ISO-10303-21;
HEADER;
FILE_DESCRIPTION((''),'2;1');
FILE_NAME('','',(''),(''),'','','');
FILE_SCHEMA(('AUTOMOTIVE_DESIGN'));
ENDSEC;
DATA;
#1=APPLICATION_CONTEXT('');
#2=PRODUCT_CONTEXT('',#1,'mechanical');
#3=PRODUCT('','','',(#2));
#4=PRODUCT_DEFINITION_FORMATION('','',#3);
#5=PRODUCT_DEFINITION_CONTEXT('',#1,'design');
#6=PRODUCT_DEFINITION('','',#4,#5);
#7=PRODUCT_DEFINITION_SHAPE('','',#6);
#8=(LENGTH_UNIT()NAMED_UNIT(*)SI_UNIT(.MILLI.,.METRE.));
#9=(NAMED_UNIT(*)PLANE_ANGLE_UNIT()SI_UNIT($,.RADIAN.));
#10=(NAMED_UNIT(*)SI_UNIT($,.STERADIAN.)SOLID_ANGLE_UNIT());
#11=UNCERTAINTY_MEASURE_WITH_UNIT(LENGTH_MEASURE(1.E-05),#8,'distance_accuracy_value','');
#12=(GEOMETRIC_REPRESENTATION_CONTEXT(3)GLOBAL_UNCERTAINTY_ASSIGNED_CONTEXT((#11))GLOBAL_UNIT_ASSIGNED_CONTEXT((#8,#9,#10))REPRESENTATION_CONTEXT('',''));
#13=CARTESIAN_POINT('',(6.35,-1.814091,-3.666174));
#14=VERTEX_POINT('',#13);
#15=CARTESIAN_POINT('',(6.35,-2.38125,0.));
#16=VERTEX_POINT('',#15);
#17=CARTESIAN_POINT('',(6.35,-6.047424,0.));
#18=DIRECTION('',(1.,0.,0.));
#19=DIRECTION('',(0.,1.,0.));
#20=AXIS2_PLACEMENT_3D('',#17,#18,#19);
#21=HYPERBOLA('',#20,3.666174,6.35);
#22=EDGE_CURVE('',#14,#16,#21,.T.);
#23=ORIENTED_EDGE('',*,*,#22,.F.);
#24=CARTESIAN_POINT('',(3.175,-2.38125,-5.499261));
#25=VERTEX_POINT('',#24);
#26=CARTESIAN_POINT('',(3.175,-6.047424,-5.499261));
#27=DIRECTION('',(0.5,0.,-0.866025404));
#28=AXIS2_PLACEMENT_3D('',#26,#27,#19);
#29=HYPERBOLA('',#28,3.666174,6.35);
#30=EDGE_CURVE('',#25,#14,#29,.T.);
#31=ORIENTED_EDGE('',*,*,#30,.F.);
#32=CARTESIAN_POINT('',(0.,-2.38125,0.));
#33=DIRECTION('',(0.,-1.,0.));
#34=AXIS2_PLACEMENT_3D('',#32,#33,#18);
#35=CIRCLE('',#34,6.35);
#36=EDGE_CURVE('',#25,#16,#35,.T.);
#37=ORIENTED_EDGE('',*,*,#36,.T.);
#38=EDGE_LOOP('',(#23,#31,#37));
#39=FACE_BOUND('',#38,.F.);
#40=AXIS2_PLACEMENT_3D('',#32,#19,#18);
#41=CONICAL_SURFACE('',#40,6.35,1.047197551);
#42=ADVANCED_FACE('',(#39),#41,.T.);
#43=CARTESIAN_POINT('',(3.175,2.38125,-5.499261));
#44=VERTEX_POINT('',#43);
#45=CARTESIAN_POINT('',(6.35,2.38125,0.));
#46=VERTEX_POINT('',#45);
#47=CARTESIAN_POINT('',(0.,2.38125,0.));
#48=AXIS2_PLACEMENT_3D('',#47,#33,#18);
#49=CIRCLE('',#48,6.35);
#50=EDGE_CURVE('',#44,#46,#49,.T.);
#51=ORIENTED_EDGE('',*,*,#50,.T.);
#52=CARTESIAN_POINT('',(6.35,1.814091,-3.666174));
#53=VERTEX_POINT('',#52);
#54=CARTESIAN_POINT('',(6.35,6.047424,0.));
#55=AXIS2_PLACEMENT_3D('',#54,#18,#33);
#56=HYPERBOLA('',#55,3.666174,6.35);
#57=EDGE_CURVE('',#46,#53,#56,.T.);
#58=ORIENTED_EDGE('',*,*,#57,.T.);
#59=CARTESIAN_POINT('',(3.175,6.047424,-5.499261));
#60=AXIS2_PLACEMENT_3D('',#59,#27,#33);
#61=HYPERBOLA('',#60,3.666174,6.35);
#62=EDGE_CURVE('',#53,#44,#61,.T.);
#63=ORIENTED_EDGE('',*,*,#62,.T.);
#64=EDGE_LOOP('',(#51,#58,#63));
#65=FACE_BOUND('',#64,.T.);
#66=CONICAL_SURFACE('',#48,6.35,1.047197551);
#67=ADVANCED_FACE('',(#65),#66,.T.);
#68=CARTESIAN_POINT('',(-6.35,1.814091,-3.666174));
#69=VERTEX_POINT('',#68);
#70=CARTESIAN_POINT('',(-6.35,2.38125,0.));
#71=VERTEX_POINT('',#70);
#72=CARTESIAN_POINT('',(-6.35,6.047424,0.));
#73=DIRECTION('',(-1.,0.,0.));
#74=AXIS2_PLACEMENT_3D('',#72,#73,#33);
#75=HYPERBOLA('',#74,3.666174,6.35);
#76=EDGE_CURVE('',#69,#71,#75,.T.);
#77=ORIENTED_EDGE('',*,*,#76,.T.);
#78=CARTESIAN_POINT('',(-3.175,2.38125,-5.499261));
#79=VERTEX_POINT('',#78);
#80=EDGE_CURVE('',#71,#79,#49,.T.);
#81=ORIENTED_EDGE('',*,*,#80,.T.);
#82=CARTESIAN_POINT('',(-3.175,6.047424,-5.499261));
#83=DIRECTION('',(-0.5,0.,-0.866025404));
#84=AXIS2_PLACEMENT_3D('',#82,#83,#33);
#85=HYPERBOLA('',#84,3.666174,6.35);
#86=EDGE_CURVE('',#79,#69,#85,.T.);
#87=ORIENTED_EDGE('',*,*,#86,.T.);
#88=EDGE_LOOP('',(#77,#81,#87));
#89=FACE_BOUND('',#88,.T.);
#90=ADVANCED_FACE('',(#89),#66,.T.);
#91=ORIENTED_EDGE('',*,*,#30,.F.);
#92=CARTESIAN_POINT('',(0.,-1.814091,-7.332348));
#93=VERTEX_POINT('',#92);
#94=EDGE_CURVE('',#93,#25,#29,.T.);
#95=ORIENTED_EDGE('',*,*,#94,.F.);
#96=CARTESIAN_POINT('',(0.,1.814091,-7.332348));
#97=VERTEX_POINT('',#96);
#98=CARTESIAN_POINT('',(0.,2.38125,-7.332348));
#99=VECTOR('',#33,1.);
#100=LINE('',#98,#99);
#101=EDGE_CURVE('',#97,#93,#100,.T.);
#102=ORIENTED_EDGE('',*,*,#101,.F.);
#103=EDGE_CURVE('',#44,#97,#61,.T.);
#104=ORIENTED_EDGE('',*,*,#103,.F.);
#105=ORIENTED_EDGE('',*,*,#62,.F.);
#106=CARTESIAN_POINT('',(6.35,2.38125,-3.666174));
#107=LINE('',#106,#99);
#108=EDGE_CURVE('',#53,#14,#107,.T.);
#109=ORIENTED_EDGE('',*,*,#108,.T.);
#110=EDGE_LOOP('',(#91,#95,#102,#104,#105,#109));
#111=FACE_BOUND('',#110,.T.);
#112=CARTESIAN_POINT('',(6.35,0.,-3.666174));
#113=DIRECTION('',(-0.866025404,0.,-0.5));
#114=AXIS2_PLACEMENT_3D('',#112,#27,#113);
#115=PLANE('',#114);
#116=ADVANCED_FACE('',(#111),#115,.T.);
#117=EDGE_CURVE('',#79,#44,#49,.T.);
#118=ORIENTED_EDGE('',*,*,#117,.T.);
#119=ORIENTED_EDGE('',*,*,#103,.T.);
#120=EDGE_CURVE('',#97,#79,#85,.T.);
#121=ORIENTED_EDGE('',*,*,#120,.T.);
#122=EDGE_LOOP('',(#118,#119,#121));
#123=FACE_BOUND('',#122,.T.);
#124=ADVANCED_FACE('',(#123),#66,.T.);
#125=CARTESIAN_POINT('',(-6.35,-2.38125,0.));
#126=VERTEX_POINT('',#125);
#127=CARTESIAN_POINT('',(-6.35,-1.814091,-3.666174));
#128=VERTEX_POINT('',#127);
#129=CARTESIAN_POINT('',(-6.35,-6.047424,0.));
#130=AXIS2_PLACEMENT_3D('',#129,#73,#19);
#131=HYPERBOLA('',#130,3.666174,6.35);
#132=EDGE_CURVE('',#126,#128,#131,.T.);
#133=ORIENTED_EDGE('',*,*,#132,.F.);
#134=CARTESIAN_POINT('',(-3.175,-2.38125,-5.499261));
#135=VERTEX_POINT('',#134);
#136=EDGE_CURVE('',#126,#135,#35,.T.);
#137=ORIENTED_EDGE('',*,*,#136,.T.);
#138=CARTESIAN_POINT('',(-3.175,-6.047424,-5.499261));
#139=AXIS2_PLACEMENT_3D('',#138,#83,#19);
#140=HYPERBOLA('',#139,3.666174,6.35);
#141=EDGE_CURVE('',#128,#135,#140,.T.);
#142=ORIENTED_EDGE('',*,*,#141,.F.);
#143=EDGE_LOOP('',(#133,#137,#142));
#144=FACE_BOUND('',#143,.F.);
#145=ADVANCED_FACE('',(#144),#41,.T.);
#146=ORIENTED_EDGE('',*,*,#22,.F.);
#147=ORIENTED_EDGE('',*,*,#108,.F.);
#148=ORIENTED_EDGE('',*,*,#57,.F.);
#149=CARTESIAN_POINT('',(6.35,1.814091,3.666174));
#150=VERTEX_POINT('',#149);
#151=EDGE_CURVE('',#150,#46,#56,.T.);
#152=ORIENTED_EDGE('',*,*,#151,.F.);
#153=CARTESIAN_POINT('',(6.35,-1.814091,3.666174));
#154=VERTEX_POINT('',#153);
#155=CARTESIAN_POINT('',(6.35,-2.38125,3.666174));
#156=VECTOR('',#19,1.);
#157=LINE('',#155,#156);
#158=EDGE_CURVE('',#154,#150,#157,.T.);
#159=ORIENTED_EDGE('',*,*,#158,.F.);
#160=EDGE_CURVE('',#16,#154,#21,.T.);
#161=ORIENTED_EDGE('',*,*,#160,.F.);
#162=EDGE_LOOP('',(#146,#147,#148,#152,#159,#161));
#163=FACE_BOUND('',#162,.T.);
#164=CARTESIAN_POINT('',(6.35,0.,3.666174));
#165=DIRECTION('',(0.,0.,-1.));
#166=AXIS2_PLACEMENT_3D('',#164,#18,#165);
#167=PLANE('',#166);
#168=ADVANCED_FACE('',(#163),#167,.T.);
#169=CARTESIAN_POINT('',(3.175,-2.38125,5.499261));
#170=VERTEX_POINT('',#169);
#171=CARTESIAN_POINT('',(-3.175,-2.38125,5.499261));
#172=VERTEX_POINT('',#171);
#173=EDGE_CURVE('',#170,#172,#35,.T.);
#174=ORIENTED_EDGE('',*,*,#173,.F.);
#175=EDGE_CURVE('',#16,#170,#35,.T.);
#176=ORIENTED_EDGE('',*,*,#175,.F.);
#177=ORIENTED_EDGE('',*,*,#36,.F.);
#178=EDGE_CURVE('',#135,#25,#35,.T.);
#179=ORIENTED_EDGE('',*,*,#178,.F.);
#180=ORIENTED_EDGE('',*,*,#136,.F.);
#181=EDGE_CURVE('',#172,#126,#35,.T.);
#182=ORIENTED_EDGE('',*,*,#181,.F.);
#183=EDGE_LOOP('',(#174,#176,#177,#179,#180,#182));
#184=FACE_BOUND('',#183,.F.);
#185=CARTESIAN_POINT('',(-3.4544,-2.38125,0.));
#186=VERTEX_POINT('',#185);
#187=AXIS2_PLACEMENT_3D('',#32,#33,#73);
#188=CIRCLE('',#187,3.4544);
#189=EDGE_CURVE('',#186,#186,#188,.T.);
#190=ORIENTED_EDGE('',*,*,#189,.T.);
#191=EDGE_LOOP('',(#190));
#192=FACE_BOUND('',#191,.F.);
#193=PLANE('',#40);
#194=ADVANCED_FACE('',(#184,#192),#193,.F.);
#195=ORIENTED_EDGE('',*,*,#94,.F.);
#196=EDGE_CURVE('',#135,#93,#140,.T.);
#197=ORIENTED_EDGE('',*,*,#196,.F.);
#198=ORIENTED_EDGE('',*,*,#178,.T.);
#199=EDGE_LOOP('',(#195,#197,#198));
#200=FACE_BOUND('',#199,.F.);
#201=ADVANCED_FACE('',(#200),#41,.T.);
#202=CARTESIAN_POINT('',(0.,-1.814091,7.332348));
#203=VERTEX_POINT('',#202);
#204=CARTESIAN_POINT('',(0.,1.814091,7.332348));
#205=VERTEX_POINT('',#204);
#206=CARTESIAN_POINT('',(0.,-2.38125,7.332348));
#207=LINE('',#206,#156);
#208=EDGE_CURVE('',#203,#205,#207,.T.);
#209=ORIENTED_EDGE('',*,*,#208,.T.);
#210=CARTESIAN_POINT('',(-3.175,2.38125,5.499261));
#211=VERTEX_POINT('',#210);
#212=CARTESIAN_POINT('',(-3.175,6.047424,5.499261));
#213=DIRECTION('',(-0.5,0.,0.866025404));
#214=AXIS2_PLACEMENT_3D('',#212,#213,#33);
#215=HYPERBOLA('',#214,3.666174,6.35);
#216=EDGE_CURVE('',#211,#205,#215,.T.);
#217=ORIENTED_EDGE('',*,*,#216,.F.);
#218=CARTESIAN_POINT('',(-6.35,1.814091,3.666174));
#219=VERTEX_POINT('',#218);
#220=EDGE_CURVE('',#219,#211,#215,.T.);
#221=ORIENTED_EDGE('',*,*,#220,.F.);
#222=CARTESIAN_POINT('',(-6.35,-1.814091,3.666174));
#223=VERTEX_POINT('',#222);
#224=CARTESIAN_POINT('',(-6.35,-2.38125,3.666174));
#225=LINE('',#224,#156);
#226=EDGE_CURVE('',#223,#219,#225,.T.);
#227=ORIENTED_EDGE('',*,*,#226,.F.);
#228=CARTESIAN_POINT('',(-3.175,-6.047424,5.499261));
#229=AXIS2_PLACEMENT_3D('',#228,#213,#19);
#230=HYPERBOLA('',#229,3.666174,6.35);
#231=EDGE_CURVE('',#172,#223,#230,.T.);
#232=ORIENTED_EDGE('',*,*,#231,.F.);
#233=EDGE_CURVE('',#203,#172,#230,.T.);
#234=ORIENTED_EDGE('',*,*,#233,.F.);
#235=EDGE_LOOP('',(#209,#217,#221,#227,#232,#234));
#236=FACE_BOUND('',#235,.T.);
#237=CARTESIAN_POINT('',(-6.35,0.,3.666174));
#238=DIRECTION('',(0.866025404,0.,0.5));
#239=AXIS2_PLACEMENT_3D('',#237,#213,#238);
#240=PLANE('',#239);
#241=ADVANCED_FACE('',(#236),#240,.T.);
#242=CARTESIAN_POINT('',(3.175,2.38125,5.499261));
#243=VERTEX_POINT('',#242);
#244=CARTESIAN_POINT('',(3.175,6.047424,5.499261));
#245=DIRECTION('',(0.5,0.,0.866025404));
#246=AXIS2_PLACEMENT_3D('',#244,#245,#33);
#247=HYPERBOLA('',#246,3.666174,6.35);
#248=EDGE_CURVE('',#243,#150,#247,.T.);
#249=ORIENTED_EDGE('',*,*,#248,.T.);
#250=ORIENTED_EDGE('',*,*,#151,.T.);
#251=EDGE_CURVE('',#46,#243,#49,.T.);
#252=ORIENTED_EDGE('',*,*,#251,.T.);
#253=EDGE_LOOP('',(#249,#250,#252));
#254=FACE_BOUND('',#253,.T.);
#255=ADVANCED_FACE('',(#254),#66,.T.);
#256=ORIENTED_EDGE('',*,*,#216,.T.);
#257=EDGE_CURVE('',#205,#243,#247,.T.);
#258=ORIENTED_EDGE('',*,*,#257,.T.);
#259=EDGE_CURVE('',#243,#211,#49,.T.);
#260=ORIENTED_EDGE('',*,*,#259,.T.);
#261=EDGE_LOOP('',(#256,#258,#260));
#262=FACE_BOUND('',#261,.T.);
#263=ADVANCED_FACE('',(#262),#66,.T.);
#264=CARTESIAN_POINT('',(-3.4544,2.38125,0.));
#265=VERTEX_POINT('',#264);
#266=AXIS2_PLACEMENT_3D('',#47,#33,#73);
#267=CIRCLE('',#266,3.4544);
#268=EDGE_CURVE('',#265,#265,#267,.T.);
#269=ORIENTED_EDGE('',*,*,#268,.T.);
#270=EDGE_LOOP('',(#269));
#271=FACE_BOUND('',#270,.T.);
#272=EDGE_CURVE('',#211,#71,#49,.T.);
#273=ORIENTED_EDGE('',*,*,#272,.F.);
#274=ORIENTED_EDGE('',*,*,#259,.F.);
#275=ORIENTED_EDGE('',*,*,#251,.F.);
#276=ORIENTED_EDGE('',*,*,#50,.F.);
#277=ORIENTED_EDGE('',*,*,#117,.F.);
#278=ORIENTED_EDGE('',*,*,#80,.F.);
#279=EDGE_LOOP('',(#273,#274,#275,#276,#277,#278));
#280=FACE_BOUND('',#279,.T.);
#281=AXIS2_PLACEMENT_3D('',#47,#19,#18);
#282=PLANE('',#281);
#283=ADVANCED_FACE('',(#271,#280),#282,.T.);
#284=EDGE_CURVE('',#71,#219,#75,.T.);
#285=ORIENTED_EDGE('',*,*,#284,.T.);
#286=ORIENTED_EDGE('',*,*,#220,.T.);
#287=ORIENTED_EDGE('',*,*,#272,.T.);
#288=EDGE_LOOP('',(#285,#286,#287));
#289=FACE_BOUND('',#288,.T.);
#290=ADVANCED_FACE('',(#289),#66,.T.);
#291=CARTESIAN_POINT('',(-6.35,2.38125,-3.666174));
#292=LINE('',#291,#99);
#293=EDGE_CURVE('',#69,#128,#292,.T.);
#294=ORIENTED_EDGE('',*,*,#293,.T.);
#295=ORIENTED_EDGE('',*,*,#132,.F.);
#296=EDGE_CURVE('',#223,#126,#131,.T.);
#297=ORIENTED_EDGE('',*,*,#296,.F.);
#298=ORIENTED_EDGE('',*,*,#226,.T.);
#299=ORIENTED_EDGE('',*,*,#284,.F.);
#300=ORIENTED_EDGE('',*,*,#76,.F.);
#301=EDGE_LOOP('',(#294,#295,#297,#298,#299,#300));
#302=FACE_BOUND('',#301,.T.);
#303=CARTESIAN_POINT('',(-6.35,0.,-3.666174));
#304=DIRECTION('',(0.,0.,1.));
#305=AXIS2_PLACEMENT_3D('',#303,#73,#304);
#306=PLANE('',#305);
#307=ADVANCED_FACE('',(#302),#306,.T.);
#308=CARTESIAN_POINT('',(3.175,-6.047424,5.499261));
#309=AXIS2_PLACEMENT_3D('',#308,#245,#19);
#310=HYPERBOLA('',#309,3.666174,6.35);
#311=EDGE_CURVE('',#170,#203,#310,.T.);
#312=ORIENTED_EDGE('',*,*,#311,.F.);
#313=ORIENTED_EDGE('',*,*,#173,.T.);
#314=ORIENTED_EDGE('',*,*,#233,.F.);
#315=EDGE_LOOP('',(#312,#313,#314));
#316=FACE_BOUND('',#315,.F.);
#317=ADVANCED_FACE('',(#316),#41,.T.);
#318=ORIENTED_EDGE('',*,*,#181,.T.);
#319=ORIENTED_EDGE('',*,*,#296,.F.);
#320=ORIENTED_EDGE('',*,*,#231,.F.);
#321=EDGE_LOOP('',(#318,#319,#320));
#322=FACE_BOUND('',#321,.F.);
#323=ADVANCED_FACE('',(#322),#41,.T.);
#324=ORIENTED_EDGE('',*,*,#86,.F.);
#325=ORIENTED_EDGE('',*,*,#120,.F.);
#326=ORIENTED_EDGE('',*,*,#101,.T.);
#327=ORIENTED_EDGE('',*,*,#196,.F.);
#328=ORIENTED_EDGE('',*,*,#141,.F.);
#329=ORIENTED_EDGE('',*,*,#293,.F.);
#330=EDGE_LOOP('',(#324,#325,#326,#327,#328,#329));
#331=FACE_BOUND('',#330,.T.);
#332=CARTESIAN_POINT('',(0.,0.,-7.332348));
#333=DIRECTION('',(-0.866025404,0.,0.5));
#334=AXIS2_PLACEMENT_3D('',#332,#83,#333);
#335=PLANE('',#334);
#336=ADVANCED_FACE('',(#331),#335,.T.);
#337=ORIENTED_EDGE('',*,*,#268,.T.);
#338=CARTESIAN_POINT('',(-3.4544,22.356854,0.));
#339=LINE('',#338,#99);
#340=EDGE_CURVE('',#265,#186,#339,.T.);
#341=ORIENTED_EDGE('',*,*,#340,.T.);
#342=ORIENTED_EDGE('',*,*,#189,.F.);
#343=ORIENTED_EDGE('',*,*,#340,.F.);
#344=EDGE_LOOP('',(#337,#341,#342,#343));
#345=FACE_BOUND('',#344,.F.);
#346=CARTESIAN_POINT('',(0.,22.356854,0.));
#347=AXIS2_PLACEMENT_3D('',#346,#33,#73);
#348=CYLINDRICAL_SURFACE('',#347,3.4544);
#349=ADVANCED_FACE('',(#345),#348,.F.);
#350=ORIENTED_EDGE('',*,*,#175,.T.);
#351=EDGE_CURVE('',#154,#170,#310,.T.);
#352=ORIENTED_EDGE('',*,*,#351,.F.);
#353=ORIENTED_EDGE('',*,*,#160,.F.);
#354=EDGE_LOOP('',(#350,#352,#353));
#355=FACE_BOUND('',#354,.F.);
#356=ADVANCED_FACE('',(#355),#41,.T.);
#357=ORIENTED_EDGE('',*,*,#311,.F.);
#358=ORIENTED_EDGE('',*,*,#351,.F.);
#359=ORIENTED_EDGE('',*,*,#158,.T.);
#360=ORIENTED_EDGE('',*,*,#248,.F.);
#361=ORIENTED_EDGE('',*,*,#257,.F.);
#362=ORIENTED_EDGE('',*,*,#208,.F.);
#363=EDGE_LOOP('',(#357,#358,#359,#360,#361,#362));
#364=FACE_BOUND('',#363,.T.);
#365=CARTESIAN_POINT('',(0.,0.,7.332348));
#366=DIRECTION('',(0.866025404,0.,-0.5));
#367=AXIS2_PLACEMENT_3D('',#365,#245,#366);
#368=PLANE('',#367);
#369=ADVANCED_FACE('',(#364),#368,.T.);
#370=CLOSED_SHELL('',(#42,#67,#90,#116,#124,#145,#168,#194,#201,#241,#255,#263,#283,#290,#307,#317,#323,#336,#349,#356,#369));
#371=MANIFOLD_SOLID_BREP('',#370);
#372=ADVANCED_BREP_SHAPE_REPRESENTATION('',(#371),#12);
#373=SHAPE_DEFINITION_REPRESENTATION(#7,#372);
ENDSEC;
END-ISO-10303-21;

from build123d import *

# Parameters (mm, degrees)
BOSS_EXTRUDE1_DEPTH      = 2.38125
F_5_16_24_TAPPED_HOLE1_D = 6.9088
SKETCH5_OUTSIDE_W        = 38.658
SKETCH5_OUTSIDE_H        = 40.622
SKETCH5_OUTSIDE_R        = 6.35
CUT_EXTRUDE2_DEPTH       = 5.7625
CUT_EXTRUDE2_TAPER       = 60


with BuildPart() as part:
    # Sketch1 → Boss-Extrude1 (new body, symmetric)
    with BuildSketch(Plane(origin=(0, 0, 0), x_dir=(1, 0, 0), z_dir=(0, 1, 0))):
        Polygon((-6.35, 3.666174209), (-6.35, -3.666174209), (0, -7.332348419), (6.35, -3.666174209), (6.35, 3.666174209), (0, 7.332348419), align=None)
    extrude(amount=BOSS_EXTRUDE1_DEPTH, both=True)

    # 5/16-24 Tapped Hole1 (through all)
    with Locations(Plane(origin=(0, 2.38125, 0), x_dir=(1, 0, 0), z_dir=(0, 1, 0))):
        with Locations((0, 0)):
            Hole(F_5_16_24_TAPPED_HOLE1_D / 2)

    # Sketch5 outside → Cut-Extrude2 (cut, through all)
    with BuildSketch(Plane(origin=(0, 2.38125, 0), x_dir=(1, 0, 0), z_dir=(0, 1, 0))):
        Rectangle(SKETCH5_OUTSIDE_W, SKETCH5_OUTSIDE_H)
        Circle(SKETCH5_OUTSIDE_R, mode=Mode.SUBTRACT)
    cut_extrude2 = extrude(amount=-CUT_EXTRUDE2_DEPTH, taper=CUT_EXTRUDE2_TAPER, mode=Mode.SUBTRACT)

    # Mirror1: Cut-Extrude2 across plane
    add(cut_extrude2.mirror(Plane.ZX), mode=Mode.SUBTRACT)


solid = part.part
